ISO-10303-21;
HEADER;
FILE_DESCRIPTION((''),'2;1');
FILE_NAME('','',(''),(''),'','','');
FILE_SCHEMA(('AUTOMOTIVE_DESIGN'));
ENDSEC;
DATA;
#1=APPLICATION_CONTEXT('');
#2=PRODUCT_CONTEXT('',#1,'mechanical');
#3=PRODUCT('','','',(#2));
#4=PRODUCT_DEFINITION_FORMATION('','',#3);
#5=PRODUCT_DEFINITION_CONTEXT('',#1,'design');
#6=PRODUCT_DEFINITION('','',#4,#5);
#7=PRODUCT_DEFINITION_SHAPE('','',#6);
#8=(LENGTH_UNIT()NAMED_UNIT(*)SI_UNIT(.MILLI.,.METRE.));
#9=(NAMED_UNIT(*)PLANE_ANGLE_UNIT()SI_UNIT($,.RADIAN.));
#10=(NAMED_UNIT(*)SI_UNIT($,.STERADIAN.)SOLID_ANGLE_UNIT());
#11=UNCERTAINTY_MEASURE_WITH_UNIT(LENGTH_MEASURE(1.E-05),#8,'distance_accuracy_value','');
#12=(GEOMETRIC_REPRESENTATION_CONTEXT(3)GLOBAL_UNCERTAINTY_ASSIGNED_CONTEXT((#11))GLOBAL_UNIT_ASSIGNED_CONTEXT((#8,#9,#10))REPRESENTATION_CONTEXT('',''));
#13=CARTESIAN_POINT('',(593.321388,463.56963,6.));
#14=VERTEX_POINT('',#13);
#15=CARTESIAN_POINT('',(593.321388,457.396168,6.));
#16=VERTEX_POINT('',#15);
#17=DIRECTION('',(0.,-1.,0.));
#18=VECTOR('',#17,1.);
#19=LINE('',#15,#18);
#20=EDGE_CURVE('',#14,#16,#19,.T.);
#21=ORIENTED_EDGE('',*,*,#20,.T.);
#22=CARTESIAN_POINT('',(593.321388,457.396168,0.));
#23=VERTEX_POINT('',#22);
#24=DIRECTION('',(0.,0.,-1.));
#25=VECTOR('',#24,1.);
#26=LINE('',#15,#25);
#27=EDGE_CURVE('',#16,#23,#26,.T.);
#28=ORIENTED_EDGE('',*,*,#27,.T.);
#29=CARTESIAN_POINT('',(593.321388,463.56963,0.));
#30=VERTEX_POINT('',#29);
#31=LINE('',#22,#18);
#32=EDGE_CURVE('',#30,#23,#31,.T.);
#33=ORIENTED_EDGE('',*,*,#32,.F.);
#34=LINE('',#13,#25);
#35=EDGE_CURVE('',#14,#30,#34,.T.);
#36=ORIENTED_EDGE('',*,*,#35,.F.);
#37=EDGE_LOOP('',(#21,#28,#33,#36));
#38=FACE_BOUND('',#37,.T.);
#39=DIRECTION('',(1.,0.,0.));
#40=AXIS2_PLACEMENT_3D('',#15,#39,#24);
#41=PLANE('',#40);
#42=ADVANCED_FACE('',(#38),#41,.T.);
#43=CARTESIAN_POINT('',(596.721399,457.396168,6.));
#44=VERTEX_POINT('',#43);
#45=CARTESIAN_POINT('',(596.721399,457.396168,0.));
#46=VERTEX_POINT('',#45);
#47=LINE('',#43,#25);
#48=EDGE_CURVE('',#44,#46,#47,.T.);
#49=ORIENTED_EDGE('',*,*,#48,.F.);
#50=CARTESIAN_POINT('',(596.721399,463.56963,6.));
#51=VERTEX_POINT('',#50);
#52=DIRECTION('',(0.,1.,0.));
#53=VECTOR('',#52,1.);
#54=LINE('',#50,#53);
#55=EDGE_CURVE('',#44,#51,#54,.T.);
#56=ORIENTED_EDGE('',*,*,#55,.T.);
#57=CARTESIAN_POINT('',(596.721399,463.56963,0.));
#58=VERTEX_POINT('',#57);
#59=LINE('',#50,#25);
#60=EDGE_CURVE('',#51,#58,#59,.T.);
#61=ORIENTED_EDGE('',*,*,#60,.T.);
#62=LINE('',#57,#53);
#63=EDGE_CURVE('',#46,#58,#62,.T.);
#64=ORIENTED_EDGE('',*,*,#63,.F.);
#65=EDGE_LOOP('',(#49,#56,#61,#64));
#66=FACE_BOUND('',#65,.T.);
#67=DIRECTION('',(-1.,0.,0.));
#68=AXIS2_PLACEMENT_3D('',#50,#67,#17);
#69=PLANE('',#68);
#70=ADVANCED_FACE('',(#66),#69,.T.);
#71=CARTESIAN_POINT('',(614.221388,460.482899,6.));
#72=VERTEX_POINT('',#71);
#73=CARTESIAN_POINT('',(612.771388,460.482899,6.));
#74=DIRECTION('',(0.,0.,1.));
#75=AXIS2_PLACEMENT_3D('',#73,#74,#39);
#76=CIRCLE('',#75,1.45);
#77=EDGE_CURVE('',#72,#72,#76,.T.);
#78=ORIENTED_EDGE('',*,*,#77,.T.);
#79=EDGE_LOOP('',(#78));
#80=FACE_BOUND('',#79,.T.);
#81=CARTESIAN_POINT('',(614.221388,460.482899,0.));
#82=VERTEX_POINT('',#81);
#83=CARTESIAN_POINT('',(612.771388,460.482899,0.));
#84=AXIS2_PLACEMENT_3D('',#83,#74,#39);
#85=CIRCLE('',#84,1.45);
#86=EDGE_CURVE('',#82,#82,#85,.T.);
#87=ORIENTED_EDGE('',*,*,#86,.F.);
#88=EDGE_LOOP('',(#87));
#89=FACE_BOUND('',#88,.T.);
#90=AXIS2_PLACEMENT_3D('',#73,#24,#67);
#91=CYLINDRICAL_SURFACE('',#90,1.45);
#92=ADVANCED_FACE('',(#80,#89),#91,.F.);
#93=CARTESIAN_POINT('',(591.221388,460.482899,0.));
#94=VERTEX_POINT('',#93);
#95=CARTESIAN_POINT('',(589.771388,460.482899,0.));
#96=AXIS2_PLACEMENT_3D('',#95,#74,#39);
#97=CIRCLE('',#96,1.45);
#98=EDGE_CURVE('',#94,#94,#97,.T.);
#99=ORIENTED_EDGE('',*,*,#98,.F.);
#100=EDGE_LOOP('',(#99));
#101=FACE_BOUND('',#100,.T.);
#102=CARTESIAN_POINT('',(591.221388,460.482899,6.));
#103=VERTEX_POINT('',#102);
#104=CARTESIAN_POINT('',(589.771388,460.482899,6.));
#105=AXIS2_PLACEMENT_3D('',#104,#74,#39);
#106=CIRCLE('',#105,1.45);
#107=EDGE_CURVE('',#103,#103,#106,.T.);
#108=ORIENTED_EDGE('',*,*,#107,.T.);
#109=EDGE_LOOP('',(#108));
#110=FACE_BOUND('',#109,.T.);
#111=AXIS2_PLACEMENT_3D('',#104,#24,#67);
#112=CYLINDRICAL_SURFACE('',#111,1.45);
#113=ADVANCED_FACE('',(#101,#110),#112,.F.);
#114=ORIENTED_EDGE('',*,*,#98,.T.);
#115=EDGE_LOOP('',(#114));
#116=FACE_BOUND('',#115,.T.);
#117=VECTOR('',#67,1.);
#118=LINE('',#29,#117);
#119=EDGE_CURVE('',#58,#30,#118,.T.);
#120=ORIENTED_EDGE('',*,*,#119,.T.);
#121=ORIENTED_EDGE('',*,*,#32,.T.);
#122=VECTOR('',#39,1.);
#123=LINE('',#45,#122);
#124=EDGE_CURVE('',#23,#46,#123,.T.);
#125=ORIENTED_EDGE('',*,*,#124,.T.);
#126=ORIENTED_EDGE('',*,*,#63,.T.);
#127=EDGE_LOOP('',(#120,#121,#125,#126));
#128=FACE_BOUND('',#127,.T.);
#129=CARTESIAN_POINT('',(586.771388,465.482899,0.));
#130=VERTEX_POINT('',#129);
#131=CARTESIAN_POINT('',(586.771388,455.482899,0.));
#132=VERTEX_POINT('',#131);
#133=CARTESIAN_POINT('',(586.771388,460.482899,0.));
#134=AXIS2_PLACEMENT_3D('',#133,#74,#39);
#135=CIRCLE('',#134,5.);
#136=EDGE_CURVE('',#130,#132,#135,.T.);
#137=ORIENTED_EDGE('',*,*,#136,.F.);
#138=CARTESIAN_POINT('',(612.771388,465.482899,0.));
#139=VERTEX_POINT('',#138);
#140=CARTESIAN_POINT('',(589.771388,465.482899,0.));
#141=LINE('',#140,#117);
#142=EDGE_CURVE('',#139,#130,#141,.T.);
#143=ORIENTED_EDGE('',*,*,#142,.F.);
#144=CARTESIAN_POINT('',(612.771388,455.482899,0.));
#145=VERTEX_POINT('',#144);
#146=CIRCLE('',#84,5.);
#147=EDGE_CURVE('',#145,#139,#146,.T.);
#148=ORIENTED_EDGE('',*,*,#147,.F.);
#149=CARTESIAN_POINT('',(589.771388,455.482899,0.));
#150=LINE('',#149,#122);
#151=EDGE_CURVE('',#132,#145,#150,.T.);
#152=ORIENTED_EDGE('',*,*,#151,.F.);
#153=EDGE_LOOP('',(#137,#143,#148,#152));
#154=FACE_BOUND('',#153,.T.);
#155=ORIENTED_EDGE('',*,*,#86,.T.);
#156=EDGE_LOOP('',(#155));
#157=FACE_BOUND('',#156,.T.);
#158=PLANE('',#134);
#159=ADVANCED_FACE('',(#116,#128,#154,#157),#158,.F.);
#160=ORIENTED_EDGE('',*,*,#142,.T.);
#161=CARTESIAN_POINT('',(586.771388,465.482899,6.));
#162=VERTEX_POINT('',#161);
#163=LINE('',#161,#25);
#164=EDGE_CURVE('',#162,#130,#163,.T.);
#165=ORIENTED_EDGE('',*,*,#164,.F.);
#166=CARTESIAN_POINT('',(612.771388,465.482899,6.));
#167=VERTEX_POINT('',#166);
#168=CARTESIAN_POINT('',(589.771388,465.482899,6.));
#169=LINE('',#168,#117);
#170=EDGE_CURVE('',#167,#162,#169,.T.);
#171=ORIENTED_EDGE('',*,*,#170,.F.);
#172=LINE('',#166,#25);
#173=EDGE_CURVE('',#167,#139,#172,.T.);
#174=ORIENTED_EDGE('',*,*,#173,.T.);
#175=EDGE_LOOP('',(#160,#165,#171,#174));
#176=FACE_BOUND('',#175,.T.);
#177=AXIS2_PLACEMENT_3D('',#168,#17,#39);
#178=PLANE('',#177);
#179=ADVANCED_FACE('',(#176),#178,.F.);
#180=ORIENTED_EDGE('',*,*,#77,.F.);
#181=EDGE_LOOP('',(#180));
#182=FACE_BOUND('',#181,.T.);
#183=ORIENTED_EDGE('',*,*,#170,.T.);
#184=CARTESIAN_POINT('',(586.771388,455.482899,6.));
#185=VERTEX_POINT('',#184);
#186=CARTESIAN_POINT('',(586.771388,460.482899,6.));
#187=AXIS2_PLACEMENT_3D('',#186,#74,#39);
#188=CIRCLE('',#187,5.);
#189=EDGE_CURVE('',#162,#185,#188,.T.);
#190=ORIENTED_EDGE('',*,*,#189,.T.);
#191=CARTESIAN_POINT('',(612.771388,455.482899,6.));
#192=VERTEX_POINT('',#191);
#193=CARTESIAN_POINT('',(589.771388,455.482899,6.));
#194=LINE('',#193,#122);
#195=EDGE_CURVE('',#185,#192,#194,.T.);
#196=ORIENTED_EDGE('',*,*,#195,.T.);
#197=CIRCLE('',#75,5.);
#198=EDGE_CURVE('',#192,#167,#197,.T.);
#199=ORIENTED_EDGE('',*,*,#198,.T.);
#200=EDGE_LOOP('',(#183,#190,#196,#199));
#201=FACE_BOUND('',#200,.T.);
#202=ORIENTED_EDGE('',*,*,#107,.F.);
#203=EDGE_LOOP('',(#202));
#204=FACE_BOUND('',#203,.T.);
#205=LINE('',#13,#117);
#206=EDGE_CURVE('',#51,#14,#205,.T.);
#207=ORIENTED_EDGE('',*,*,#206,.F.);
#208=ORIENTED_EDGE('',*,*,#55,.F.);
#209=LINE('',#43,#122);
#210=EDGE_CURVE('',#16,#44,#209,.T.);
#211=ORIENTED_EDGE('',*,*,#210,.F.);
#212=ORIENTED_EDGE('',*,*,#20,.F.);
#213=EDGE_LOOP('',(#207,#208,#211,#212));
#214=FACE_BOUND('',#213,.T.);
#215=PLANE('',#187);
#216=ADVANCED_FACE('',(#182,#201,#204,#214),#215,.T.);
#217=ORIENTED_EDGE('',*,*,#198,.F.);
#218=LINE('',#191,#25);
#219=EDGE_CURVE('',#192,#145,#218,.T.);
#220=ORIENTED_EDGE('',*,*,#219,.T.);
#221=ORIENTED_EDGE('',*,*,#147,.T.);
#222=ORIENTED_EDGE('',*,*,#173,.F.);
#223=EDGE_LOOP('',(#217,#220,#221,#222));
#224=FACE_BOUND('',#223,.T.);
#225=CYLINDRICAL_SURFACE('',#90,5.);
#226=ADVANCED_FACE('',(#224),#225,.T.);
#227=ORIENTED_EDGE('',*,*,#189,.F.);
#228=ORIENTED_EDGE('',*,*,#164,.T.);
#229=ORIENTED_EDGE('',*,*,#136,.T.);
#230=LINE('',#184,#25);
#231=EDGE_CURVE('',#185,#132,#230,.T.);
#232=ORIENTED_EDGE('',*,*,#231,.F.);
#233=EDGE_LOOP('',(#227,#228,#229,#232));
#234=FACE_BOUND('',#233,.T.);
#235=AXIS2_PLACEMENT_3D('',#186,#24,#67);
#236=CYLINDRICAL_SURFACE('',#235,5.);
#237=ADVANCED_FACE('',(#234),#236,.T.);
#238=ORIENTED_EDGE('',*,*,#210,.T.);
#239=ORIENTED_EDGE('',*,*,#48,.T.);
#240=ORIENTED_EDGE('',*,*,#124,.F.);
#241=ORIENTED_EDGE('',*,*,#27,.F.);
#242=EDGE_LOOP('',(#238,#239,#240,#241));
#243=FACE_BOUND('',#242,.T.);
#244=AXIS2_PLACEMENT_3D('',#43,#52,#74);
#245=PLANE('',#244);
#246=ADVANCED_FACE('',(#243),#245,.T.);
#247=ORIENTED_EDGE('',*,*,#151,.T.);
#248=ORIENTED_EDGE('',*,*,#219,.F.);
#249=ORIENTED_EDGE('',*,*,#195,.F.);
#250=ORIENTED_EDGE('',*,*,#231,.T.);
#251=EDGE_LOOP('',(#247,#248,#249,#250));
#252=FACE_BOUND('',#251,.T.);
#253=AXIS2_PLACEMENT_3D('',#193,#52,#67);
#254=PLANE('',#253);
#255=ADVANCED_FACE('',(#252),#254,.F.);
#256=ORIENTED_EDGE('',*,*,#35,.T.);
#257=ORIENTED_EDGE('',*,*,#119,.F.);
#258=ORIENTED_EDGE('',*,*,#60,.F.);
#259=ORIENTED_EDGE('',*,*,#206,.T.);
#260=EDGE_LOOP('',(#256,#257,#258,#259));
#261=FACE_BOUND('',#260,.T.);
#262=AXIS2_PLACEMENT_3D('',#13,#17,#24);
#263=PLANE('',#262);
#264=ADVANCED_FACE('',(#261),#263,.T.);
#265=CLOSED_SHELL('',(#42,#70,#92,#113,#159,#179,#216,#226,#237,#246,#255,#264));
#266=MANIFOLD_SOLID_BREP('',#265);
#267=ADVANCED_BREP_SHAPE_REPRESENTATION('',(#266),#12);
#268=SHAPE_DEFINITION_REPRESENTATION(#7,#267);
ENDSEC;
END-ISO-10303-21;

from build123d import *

# Parameters (mm, degrees)
SKETCH1_R           = 1.45
SKETCH1_W           = 3.400011
SKETCH1_H           = 6.173462
BOSS_EXTRUDE1_DEPTH = 6


with BuildPart() as part:
    # Sketch1 → Boss-Extrude1 (new body)
    with BuildSketch(Plane.XY):
        with BuildLine():
            Line((589.771388, 465.482899), (612.771388, 465.482899))
            ThreePointArc((612.771388, 465.482899), (617.771388, 460.482899), (612.771388, 455.482899))
            Line((612.771388, 455.482899), (589.771388, 455.482899))
            Line((589.771388, 455.482899), (586.771388, 455.482899))
            ThreePointArc((586.771388, 455.482899), (581.771388, 460.482899), (586.771388, 465.482899))
            Line((586.771388, 465.482899), (589.771388, 465.482899))
        make_face()
        with Locations((589.771388, 460.482899)):
            Circle(SKETCH1_R, mode=Mode.SUBTRACT)
        with Locations((612.771388, 460.482899)):
            Circle(SKETCH1_R, mode=Mode.SUBTRACT)
        with Locations((595.0213935, 460.482899)):
            Rectangle(SKETCH1_W, SKETCH1_H, mode=Mode.SUBTRACT)
    extrude(amount=BOSS_EXTRUDE1_DEPTH)


solid = part.part
